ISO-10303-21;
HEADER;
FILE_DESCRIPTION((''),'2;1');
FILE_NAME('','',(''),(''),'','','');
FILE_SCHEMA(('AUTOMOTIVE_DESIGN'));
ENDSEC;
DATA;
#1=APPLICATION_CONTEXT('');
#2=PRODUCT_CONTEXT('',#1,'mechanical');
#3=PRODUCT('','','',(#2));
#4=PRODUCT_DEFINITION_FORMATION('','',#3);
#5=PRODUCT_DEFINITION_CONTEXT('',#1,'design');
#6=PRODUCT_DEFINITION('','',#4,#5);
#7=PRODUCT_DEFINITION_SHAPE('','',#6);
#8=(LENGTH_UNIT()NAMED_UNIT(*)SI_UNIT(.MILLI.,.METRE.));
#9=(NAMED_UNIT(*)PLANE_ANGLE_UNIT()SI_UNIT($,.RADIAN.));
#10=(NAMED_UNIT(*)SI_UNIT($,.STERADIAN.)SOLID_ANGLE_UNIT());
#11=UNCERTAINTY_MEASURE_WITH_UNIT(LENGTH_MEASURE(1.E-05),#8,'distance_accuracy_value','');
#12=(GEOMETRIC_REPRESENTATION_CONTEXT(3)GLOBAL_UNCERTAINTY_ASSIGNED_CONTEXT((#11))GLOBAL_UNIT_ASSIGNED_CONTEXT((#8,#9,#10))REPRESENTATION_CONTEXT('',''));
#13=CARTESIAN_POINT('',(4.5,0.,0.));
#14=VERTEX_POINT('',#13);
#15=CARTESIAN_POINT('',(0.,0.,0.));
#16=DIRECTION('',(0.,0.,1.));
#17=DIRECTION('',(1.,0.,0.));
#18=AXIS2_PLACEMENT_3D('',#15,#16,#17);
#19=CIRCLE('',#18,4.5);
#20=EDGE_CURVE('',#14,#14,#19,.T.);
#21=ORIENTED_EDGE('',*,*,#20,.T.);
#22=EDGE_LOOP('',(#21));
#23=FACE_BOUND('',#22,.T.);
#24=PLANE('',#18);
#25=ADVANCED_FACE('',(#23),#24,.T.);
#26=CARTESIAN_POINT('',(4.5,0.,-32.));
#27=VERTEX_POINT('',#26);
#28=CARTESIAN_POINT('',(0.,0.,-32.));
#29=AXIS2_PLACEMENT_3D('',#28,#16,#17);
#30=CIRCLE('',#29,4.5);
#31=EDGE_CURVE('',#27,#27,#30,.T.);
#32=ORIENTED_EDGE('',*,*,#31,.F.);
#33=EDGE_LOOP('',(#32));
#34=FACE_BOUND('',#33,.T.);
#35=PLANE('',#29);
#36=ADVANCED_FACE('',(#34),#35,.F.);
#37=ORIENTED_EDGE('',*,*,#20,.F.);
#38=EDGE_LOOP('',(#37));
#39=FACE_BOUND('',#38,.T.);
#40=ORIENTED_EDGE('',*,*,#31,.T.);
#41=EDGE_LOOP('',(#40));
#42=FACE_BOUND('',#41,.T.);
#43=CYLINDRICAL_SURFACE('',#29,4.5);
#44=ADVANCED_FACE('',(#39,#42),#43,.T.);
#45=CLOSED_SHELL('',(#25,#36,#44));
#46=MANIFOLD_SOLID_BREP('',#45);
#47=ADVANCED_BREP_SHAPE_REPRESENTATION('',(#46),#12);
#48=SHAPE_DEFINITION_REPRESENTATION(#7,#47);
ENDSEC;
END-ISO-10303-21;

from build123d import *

# Parameters (mm, degrees)
SKETCH_1_R      = 4.5
EXTRUDE_1_DEPTH = 32


with BuildPart() as part:
    # 草图1 → 凸台-拉伸1 (new body)
    with BuildSketch(Plane.XY):
        Circle(SKETCH_1_R)
    extrude(amount=-EXTRUDE_1_DEPTH)


solid = part.part
